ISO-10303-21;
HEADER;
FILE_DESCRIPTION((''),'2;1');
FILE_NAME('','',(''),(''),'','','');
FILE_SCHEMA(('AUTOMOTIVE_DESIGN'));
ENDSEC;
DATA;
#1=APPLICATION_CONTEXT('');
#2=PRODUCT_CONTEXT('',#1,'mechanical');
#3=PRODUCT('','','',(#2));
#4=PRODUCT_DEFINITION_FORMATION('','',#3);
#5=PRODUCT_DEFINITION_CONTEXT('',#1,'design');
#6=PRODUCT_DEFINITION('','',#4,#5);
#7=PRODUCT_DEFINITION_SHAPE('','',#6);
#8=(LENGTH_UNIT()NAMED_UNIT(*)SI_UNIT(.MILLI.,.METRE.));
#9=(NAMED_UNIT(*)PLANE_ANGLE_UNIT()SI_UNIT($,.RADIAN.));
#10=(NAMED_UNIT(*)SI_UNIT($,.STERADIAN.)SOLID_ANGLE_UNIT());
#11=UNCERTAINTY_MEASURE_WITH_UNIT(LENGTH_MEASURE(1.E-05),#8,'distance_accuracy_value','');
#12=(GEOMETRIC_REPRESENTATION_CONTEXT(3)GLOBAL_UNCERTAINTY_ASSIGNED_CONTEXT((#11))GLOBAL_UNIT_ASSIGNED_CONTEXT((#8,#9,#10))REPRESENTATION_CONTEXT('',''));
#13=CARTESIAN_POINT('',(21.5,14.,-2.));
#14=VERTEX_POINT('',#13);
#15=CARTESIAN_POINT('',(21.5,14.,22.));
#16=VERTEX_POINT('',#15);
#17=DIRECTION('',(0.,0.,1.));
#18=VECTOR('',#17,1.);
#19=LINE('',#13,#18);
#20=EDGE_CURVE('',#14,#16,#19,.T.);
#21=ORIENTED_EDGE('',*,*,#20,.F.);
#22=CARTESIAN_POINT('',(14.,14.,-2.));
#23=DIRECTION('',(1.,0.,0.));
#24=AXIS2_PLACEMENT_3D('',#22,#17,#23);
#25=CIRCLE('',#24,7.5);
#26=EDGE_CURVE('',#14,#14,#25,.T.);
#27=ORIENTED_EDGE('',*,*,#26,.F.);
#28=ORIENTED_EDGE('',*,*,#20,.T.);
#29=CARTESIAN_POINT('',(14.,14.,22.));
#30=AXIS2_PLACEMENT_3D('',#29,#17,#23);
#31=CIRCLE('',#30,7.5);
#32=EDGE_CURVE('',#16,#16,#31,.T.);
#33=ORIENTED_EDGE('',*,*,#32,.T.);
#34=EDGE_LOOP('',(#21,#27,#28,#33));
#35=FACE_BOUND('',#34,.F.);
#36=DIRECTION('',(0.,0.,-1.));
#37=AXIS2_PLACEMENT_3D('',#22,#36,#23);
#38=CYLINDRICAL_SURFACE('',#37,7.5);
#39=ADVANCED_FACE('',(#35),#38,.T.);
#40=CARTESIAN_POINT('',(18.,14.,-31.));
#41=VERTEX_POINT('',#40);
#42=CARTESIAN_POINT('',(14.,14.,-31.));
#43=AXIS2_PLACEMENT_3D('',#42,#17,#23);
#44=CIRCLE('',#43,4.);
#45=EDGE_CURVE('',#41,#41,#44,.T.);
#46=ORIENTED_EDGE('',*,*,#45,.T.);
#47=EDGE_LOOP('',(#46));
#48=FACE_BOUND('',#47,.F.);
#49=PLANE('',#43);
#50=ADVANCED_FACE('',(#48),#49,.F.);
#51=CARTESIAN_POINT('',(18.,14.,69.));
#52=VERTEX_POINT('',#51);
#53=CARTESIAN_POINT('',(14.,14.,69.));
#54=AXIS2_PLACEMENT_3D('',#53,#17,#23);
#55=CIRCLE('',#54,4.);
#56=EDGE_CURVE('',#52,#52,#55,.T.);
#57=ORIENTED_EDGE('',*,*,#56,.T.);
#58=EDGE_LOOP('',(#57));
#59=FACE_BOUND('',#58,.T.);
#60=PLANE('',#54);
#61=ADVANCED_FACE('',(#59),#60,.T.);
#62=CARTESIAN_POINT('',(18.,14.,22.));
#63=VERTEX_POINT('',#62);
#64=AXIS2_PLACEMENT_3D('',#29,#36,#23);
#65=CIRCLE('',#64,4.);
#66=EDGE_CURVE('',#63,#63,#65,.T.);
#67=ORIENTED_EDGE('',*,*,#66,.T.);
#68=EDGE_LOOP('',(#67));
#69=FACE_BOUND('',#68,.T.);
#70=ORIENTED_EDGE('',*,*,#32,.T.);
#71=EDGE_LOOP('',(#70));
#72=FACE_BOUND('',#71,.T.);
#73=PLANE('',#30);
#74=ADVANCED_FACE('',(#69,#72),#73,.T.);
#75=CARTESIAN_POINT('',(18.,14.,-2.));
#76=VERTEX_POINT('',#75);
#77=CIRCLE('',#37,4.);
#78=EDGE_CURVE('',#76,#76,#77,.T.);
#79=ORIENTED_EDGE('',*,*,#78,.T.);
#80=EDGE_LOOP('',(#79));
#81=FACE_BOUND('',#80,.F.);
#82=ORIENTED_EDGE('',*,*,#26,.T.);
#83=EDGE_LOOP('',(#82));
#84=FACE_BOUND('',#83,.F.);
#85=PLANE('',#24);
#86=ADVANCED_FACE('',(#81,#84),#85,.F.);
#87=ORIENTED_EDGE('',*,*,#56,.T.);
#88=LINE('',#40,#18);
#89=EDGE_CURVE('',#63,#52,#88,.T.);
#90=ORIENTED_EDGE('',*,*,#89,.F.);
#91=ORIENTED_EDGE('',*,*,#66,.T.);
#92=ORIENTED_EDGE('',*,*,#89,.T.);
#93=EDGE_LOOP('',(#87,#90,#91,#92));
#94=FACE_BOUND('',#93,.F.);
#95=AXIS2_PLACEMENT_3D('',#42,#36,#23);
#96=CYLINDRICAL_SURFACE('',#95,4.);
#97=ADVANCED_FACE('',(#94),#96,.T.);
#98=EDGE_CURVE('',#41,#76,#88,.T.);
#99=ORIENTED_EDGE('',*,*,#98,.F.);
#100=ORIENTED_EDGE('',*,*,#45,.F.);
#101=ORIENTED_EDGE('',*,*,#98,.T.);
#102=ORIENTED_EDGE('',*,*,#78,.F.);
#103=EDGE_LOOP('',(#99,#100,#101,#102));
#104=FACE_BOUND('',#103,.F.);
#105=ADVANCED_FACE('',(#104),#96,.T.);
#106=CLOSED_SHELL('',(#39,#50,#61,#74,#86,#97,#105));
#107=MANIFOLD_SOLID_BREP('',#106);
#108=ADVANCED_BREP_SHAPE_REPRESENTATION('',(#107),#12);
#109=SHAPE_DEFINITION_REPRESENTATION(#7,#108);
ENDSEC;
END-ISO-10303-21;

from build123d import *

# Parameters (mm, degrees)
CYLINDER013_R     = 7.5
CYLINDER013_DEPTH = 24
CYLINDER007_R     = 4
CYLINDER007_DEPTH = 100


with BuildPart() as rod_bearing_cylinder:
    # Cylinder013 → Cylinder013 (new body)
    with BuildSketch(Plane(origin=(42, 0, -94), x_dir=(1, 0, 0), z_dir=(0, 0, 1))):
        Circle(CYLINDER013_R)
    extrude(amount=CYLINDER013_DEPTH)


with BuildPart() as rod_fusion001:
    # Cylinder007 → Cylinder007 (new body)
    with BuildSketch(Plane(origin=(42, 0, -123), x_dir=(1, 0, 0), z_dir=(0, 0, 1))):
        Circle(CYLINDER007_R)
    extrude(amount=CYLINDER007_DEPTH)

    # Fusion007: union rod bearing cylinder
    add(rod_bearing_cylinder.part)


with BuildPart() as rod_fusion001_1:
    # Fusion007 placement: moved
    add(rod_fusion001.part.moved(Location((-28, 14, 92))))


solid = rod_fusion001_1.part
